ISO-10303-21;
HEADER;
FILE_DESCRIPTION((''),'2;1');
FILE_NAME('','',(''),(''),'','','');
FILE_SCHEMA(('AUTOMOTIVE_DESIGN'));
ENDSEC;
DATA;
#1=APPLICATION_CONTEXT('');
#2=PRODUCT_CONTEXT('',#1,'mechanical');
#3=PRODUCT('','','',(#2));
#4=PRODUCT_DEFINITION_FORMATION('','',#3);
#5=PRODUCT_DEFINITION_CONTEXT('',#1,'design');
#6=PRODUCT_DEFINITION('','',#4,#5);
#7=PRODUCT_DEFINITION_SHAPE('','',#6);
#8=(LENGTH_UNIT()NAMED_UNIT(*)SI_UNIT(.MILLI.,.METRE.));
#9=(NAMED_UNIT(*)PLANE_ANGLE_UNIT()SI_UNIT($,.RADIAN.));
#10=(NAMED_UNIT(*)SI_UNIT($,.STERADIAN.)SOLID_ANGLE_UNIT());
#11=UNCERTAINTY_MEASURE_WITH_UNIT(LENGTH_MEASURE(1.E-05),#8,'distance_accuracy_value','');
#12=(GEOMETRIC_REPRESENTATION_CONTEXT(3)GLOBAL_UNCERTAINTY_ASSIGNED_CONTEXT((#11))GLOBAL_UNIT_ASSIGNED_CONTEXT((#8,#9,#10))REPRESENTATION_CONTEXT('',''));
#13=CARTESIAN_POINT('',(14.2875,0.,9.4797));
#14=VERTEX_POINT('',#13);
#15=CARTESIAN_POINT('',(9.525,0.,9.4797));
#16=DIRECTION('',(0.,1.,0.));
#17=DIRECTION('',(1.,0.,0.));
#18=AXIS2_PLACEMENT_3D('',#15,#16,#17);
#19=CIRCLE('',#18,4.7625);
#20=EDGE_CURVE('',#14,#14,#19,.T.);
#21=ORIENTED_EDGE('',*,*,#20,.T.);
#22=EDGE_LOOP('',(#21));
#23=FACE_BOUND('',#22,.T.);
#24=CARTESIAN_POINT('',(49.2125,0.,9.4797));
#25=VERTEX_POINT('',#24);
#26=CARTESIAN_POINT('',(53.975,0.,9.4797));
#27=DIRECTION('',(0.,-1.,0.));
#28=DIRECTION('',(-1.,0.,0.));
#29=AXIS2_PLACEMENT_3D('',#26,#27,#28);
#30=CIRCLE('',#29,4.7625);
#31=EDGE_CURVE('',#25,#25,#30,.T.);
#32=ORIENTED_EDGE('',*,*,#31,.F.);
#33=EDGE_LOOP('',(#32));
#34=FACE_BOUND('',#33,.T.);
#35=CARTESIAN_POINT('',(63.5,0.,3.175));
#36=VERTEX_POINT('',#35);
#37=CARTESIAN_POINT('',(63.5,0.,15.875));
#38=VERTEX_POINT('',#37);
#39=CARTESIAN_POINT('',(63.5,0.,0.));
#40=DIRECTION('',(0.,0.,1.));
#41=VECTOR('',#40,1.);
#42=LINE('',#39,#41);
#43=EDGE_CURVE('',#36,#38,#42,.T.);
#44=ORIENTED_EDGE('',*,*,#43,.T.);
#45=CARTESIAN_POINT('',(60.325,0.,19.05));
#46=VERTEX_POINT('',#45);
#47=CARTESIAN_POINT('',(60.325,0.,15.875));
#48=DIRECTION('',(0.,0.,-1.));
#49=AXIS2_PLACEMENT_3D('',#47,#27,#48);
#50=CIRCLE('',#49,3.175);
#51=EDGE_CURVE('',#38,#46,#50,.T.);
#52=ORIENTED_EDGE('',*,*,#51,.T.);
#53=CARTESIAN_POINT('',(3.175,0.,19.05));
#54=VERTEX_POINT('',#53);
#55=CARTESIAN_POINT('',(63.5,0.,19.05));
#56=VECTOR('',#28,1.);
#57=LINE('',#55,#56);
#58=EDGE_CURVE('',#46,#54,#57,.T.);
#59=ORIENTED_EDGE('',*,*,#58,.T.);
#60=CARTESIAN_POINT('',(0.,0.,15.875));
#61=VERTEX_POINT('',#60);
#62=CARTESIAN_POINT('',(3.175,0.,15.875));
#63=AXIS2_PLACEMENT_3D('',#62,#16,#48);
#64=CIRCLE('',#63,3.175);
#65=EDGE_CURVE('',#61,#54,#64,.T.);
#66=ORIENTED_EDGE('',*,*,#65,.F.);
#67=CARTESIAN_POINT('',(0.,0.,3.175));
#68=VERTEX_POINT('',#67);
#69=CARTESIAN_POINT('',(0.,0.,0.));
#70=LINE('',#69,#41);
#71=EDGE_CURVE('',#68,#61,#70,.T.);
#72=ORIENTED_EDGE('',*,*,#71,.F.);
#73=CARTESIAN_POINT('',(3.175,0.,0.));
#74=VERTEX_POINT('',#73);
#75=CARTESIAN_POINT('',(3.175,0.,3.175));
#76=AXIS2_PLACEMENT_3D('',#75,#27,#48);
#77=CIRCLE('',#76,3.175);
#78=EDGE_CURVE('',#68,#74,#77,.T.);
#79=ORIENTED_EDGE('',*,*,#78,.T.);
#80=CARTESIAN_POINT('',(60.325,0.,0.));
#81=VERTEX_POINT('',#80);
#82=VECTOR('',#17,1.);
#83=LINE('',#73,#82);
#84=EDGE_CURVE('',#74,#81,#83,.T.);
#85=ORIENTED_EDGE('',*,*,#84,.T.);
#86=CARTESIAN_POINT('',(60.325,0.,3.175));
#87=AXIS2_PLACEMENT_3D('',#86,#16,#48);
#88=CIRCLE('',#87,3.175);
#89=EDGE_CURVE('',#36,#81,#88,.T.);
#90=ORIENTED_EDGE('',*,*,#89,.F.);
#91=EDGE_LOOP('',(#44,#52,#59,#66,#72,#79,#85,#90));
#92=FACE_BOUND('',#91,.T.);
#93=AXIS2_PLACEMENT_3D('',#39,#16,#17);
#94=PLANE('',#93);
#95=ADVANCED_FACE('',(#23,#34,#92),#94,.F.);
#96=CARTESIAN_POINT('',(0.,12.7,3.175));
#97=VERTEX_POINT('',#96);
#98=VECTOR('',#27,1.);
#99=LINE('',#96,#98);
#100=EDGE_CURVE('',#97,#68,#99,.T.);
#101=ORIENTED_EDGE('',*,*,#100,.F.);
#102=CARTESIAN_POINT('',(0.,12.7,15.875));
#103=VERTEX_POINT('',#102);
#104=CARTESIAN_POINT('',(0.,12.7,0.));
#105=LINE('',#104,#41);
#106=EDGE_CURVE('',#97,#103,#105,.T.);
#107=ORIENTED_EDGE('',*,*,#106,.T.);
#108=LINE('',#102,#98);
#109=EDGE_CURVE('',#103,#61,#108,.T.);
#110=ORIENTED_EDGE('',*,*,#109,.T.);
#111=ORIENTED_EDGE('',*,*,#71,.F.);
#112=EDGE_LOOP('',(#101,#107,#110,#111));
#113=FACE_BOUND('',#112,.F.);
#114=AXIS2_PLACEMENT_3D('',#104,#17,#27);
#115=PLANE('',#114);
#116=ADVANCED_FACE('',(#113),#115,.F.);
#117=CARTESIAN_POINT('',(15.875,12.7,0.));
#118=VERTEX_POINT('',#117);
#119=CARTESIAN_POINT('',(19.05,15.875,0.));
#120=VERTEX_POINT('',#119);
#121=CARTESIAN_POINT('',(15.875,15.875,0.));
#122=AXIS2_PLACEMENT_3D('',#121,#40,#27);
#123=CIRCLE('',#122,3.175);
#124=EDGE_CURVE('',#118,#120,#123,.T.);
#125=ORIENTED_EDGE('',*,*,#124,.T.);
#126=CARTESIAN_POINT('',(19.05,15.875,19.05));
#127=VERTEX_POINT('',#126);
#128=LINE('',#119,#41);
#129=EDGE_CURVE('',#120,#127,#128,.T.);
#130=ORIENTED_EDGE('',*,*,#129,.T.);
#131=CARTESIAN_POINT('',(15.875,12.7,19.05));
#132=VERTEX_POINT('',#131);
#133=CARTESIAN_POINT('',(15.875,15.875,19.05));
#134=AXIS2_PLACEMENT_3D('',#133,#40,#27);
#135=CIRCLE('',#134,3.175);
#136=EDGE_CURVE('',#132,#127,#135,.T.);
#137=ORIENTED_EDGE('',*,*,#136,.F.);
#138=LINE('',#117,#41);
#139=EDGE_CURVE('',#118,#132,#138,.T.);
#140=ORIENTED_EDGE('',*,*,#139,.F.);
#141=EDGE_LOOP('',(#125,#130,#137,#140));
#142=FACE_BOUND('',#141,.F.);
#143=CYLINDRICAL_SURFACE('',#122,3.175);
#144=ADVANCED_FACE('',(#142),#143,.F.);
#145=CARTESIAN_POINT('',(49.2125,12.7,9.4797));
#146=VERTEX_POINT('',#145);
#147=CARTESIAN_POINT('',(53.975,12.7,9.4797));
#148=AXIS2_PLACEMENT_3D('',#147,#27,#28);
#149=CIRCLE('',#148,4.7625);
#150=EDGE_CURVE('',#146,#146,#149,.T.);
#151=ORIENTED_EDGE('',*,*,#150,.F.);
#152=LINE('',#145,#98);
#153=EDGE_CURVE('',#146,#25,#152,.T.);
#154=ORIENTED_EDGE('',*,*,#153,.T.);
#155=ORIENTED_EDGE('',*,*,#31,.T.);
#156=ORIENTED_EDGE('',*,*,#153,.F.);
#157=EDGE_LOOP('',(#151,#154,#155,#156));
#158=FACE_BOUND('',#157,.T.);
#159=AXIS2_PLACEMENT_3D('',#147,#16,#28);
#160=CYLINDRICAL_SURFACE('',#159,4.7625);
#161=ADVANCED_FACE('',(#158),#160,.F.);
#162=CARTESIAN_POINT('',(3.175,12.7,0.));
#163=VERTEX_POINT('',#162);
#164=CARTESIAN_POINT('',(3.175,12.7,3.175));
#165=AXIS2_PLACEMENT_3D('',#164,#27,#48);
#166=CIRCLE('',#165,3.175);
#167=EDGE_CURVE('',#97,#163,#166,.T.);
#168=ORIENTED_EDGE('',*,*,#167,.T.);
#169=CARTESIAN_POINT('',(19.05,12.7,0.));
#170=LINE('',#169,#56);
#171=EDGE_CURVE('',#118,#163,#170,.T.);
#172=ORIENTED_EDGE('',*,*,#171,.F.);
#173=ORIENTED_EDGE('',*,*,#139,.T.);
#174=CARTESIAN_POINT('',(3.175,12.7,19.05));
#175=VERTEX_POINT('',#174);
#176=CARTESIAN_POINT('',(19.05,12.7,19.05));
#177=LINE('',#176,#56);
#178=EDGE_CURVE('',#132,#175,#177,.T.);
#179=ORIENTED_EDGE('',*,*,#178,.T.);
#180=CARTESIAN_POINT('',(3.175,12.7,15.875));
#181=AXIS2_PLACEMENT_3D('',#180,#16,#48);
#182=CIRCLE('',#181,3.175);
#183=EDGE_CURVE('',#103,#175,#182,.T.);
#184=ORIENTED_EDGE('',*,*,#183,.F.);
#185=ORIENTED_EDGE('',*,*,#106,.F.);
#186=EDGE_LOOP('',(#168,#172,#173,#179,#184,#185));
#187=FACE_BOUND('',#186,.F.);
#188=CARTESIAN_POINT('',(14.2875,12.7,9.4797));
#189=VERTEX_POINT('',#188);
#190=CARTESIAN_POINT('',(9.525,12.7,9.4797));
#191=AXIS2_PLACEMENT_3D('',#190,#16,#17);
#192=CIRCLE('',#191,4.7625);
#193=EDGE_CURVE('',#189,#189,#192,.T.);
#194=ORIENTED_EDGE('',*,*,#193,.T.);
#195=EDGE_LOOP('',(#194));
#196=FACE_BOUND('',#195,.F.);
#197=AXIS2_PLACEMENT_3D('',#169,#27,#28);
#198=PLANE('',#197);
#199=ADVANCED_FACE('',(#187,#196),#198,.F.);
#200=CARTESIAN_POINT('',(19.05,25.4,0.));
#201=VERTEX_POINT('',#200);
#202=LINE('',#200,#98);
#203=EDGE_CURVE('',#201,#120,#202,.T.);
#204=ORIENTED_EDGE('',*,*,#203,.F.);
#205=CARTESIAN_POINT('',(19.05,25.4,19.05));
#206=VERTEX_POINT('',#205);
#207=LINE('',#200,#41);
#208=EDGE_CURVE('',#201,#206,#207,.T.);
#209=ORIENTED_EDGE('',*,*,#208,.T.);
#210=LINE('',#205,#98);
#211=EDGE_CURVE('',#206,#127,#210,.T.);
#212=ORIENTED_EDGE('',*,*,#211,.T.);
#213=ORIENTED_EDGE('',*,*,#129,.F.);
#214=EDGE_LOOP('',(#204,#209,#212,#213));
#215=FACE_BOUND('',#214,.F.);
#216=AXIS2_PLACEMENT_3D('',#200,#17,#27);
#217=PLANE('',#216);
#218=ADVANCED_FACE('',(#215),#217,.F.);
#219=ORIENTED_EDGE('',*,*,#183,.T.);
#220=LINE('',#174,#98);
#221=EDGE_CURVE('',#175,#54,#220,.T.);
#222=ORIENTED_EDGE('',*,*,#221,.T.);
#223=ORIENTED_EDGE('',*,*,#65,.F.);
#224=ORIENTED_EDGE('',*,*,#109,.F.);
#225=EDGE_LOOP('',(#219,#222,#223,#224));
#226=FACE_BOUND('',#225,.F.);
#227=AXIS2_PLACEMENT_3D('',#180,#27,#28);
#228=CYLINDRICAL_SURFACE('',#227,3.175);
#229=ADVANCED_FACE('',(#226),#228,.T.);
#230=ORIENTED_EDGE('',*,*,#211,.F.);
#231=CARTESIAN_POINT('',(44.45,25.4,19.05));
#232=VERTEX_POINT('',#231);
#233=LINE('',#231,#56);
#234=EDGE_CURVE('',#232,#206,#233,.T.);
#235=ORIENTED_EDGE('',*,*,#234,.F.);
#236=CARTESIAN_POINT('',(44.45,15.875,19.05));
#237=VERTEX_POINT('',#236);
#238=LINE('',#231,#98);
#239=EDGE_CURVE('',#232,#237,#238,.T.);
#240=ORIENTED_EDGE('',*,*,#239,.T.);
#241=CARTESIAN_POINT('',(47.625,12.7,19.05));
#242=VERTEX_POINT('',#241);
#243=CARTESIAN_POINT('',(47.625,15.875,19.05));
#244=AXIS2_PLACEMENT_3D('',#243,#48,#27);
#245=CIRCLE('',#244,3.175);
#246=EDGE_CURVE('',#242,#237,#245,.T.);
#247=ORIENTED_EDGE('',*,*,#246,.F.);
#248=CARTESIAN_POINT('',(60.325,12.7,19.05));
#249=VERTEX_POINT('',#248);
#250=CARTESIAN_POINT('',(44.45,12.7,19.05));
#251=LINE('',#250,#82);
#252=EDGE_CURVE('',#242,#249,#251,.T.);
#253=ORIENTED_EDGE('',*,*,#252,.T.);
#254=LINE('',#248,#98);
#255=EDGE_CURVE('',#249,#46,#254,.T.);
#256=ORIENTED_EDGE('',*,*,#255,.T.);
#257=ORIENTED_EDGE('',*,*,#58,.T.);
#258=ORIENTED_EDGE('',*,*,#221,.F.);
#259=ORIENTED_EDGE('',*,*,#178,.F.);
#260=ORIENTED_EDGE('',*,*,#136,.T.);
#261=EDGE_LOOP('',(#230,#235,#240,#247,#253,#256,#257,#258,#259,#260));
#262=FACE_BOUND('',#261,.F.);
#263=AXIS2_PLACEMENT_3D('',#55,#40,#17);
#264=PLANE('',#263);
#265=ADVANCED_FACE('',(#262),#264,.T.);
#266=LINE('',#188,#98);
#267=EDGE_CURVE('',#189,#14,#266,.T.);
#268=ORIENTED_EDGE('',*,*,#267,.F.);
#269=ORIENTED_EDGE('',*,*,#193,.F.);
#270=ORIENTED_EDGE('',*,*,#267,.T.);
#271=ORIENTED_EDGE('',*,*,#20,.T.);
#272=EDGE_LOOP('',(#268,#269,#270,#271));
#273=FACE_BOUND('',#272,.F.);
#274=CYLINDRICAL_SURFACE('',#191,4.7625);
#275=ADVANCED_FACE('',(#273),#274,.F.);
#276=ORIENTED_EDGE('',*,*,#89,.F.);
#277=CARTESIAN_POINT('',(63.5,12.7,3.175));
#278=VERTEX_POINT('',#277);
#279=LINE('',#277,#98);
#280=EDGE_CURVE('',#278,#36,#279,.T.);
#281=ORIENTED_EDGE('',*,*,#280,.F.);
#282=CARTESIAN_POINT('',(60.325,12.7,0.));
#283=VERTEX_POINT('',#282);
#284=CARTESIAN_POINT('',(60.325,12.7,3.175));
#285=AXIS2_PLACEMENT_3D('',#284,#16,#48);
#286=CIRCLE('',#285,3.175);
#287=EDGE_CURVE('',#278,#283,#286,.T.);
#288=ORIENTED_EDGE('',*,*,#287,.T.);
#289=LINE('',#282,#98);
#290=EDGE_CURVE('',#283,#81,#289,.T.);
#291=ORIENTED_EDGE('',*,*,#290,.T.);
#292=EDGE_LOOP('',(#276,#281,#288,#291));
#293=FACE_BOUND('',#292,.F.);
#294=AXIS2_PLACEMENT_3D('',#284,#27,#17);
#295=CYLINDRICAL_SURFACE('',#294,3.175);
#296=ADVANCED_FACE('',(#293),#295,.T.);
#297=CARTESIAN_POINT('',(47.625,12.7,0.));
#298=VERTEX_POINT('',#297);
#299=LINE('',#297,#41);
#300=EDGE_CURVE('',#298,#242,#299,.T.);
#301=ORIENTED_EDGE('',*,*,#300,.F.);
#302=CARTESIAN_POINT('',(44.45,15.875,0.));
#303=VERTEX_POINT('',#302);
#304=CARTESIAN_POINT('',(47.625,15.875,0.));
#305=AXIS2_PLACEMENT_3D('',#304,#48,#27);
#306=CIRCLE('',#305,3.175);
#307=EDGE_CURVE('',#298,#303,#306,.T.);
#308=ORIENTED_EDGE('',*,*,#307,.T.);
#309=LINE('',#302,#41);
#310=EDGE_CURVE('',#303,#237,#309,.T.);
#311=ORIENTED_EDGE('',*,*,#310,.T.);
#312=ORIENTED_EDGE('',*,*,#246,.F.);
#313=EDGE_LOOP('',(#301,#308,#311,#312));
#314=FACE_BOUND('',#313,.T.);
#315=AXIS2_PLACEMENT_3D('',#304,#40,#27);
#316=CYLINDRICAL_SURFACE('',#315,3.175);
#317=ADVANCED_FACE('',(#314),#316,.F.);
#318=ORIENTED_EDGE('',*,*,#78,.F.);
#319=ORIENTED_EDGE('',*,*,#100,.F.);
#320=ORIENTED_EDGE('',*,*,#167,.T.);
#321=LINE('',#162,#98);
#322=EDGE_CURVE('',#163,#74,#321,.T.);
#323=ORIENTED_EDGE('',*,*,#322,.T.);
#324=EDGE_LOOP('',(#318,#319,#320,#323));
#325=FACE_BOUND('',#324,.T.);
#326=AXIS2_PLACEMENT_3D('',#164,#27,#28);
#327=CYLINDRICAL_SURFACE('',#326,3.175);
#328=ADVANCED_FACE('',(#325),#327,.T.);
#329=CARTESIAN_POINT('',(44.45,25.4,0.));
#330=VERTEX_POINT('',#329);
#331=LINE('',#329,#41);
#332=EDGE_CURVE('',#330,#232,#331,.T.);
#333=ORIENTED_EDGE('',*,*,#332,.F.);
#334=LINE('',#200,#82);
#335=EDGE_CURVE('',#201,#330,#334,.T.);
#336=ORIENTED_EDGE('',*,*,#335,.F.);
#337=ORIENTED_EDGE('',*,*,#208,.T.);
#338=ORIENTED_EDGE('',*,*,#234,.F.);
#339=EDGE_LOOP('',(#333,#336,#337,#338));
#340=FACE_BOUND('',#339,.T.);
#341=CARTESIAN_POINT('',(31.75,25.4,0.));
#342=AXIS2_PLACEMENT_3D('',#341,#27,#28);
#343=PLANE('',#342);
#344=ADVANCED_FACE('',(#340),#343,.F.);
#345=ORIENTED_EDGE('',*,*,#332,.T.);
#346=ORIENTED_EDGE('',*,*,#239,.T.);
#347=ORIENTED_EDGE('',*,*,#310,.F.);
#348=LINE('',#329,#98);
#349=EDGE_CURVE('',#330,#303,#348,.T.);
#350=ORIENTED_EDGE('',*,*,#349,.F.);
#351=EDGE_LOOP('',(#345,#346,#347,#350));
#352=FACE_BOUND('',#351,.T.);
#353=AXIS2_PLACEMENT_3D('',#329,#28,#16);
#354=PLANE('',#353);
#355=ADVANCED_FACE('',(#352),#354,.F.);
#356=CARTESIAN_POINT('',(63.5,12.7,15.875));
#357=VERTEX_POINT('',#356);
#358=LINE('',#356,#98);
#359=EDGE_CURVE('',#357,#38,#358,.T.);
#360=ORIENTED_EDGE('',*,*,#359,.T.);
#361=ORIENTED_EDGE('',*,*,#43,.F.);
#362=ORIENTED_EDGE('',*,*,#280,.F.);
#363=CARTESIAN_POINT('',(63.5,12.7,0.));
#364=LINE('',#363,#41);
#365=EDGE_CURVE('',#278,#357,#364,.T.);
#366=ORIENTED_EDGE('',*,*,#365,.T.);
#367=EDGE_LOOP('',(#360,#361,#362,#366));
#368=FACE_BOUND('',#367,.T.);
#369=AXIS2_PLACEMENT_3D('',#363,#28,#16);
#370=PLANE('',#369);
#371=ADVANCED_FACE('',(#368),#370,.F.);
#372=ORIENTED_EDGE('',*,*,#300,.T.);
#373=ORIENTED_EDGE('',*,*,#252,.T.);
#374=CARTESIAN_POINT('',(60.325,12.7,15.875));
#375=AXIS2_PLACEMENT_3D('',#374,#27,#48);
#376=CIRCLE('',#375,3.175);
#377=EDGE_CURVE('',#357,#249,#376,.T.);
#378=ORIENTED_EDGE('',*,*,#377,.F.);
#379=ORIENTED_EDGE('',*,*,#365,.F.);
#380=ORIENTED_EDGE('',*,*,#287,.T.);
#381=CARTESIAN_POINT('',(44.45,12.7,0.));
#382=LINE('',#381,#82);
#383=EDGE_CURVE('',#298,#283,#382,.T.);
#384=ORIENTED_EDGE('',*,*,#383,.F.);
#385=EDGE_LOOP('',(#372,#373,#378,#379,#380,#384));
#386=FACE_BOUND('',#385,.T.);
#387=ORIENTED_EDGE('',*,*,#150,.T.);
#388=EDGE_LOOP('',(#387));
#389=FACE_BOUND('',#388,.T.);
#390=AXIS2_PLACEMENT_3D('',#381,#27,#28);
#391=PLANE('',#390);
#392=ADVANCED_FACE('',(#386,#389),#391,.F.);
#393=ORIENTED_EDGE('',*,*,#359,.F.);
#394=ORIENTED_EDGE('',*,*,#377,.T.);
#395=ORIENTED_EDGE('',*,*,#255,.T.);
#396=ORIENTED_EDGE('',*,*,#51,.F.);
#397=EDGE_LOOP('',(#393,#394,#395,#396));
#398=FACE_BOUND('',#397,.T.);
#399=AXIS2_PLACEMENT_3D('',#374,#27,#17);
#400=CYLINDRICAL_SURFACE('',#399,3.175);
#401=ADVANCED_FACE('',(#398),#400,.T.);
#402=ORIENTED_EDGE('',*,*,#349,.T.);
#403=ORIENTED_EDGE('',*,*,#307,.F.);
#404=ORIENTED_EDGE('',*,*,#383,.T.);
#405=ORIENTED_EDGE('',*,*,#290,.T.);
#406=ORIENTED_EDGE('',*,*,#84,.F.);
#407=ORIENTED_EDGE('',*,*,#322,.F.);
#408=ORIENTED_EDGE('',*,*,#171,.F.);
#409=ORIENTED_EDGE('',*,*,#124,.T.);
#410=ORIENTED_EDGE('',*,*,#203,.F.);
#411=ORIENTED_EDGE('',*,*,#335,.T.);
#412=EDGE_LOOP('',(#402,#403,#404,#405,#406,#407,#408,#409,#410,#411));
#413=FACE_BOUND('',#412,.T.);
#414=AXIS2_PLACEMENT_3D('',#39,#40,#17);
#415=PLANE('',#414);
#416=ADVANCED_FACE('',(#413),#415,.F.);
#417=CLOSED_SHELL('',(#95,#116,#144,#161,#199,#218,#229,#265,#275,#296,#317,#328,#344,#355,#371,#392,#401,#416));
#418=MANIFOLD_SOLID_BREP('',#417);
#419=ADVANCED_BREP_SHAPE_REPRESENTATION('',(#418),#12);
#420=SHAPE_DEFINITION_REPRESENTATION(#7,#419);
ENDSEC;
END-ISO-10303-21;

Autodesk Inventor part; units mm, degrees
ref_plane "YZ Plane" through (0, 0, 0) normal (1, 0, 0) x (0, 1, 0)
ref_plane "XZ Plane" through (0, 0, 0) normal (0, 1, 0) x (-1, 0, 0)
ref_plane "XY Plane" through (0, 0, 0) normal (0, 0, 1) x (1, 0, 0)
sketch "Sketch1" plane through (0, 0, 0) normal (0, 0, 1) x (1, 0, 0)
  line L0 (0, 0) -> (31.75, 0)
  line L1 (31.75, 0) -> (31.75, 25.4)
  line L2 (31.75, 25.4) -> (19.05, 25.4)
  line L3 (19.05, 25.4) -> (19.05, 12.7)
  line L4 (19.05, 12.7) -> (0, 12.7)
  line L5 (0, 12.7) -> (0, 0)
  dimension "d0" = 31.75
  dimension "d1" = 25.4
  dimension "d2" = 12.7
  dimension "d3" = 12.7
extrude "Extrusion1" add sketch "Sketch1" along normal blind 19.05
fillet "Fillet1" radius 3.175 3 edges at (0, 6.35, 19.05) (19.05, 12.7, 9.525) (0, 6.35, 0)
sketch "Sketch2" plane through (3.175, 12.7, 0) normal (0, 1, 0) x (1, 0, 0)
  line L0 (15.875, 0) -> (12.7, 0) projected
  circle A0 centre (6.35, -9.4797) radius 4.7625
  point P0 (-3.175, 0)
  dimension "d7" = 9.525
extrude "Extrusion2" cut sketch "Sketch2" against normal blind 12.7
mirror "Mirror1" about plane through (31.75, 0, 0) normal (1, 0, 0) of "Extrusion1", "Extrusion2", "Fillet1"
properties part number "Mirror 3D"
